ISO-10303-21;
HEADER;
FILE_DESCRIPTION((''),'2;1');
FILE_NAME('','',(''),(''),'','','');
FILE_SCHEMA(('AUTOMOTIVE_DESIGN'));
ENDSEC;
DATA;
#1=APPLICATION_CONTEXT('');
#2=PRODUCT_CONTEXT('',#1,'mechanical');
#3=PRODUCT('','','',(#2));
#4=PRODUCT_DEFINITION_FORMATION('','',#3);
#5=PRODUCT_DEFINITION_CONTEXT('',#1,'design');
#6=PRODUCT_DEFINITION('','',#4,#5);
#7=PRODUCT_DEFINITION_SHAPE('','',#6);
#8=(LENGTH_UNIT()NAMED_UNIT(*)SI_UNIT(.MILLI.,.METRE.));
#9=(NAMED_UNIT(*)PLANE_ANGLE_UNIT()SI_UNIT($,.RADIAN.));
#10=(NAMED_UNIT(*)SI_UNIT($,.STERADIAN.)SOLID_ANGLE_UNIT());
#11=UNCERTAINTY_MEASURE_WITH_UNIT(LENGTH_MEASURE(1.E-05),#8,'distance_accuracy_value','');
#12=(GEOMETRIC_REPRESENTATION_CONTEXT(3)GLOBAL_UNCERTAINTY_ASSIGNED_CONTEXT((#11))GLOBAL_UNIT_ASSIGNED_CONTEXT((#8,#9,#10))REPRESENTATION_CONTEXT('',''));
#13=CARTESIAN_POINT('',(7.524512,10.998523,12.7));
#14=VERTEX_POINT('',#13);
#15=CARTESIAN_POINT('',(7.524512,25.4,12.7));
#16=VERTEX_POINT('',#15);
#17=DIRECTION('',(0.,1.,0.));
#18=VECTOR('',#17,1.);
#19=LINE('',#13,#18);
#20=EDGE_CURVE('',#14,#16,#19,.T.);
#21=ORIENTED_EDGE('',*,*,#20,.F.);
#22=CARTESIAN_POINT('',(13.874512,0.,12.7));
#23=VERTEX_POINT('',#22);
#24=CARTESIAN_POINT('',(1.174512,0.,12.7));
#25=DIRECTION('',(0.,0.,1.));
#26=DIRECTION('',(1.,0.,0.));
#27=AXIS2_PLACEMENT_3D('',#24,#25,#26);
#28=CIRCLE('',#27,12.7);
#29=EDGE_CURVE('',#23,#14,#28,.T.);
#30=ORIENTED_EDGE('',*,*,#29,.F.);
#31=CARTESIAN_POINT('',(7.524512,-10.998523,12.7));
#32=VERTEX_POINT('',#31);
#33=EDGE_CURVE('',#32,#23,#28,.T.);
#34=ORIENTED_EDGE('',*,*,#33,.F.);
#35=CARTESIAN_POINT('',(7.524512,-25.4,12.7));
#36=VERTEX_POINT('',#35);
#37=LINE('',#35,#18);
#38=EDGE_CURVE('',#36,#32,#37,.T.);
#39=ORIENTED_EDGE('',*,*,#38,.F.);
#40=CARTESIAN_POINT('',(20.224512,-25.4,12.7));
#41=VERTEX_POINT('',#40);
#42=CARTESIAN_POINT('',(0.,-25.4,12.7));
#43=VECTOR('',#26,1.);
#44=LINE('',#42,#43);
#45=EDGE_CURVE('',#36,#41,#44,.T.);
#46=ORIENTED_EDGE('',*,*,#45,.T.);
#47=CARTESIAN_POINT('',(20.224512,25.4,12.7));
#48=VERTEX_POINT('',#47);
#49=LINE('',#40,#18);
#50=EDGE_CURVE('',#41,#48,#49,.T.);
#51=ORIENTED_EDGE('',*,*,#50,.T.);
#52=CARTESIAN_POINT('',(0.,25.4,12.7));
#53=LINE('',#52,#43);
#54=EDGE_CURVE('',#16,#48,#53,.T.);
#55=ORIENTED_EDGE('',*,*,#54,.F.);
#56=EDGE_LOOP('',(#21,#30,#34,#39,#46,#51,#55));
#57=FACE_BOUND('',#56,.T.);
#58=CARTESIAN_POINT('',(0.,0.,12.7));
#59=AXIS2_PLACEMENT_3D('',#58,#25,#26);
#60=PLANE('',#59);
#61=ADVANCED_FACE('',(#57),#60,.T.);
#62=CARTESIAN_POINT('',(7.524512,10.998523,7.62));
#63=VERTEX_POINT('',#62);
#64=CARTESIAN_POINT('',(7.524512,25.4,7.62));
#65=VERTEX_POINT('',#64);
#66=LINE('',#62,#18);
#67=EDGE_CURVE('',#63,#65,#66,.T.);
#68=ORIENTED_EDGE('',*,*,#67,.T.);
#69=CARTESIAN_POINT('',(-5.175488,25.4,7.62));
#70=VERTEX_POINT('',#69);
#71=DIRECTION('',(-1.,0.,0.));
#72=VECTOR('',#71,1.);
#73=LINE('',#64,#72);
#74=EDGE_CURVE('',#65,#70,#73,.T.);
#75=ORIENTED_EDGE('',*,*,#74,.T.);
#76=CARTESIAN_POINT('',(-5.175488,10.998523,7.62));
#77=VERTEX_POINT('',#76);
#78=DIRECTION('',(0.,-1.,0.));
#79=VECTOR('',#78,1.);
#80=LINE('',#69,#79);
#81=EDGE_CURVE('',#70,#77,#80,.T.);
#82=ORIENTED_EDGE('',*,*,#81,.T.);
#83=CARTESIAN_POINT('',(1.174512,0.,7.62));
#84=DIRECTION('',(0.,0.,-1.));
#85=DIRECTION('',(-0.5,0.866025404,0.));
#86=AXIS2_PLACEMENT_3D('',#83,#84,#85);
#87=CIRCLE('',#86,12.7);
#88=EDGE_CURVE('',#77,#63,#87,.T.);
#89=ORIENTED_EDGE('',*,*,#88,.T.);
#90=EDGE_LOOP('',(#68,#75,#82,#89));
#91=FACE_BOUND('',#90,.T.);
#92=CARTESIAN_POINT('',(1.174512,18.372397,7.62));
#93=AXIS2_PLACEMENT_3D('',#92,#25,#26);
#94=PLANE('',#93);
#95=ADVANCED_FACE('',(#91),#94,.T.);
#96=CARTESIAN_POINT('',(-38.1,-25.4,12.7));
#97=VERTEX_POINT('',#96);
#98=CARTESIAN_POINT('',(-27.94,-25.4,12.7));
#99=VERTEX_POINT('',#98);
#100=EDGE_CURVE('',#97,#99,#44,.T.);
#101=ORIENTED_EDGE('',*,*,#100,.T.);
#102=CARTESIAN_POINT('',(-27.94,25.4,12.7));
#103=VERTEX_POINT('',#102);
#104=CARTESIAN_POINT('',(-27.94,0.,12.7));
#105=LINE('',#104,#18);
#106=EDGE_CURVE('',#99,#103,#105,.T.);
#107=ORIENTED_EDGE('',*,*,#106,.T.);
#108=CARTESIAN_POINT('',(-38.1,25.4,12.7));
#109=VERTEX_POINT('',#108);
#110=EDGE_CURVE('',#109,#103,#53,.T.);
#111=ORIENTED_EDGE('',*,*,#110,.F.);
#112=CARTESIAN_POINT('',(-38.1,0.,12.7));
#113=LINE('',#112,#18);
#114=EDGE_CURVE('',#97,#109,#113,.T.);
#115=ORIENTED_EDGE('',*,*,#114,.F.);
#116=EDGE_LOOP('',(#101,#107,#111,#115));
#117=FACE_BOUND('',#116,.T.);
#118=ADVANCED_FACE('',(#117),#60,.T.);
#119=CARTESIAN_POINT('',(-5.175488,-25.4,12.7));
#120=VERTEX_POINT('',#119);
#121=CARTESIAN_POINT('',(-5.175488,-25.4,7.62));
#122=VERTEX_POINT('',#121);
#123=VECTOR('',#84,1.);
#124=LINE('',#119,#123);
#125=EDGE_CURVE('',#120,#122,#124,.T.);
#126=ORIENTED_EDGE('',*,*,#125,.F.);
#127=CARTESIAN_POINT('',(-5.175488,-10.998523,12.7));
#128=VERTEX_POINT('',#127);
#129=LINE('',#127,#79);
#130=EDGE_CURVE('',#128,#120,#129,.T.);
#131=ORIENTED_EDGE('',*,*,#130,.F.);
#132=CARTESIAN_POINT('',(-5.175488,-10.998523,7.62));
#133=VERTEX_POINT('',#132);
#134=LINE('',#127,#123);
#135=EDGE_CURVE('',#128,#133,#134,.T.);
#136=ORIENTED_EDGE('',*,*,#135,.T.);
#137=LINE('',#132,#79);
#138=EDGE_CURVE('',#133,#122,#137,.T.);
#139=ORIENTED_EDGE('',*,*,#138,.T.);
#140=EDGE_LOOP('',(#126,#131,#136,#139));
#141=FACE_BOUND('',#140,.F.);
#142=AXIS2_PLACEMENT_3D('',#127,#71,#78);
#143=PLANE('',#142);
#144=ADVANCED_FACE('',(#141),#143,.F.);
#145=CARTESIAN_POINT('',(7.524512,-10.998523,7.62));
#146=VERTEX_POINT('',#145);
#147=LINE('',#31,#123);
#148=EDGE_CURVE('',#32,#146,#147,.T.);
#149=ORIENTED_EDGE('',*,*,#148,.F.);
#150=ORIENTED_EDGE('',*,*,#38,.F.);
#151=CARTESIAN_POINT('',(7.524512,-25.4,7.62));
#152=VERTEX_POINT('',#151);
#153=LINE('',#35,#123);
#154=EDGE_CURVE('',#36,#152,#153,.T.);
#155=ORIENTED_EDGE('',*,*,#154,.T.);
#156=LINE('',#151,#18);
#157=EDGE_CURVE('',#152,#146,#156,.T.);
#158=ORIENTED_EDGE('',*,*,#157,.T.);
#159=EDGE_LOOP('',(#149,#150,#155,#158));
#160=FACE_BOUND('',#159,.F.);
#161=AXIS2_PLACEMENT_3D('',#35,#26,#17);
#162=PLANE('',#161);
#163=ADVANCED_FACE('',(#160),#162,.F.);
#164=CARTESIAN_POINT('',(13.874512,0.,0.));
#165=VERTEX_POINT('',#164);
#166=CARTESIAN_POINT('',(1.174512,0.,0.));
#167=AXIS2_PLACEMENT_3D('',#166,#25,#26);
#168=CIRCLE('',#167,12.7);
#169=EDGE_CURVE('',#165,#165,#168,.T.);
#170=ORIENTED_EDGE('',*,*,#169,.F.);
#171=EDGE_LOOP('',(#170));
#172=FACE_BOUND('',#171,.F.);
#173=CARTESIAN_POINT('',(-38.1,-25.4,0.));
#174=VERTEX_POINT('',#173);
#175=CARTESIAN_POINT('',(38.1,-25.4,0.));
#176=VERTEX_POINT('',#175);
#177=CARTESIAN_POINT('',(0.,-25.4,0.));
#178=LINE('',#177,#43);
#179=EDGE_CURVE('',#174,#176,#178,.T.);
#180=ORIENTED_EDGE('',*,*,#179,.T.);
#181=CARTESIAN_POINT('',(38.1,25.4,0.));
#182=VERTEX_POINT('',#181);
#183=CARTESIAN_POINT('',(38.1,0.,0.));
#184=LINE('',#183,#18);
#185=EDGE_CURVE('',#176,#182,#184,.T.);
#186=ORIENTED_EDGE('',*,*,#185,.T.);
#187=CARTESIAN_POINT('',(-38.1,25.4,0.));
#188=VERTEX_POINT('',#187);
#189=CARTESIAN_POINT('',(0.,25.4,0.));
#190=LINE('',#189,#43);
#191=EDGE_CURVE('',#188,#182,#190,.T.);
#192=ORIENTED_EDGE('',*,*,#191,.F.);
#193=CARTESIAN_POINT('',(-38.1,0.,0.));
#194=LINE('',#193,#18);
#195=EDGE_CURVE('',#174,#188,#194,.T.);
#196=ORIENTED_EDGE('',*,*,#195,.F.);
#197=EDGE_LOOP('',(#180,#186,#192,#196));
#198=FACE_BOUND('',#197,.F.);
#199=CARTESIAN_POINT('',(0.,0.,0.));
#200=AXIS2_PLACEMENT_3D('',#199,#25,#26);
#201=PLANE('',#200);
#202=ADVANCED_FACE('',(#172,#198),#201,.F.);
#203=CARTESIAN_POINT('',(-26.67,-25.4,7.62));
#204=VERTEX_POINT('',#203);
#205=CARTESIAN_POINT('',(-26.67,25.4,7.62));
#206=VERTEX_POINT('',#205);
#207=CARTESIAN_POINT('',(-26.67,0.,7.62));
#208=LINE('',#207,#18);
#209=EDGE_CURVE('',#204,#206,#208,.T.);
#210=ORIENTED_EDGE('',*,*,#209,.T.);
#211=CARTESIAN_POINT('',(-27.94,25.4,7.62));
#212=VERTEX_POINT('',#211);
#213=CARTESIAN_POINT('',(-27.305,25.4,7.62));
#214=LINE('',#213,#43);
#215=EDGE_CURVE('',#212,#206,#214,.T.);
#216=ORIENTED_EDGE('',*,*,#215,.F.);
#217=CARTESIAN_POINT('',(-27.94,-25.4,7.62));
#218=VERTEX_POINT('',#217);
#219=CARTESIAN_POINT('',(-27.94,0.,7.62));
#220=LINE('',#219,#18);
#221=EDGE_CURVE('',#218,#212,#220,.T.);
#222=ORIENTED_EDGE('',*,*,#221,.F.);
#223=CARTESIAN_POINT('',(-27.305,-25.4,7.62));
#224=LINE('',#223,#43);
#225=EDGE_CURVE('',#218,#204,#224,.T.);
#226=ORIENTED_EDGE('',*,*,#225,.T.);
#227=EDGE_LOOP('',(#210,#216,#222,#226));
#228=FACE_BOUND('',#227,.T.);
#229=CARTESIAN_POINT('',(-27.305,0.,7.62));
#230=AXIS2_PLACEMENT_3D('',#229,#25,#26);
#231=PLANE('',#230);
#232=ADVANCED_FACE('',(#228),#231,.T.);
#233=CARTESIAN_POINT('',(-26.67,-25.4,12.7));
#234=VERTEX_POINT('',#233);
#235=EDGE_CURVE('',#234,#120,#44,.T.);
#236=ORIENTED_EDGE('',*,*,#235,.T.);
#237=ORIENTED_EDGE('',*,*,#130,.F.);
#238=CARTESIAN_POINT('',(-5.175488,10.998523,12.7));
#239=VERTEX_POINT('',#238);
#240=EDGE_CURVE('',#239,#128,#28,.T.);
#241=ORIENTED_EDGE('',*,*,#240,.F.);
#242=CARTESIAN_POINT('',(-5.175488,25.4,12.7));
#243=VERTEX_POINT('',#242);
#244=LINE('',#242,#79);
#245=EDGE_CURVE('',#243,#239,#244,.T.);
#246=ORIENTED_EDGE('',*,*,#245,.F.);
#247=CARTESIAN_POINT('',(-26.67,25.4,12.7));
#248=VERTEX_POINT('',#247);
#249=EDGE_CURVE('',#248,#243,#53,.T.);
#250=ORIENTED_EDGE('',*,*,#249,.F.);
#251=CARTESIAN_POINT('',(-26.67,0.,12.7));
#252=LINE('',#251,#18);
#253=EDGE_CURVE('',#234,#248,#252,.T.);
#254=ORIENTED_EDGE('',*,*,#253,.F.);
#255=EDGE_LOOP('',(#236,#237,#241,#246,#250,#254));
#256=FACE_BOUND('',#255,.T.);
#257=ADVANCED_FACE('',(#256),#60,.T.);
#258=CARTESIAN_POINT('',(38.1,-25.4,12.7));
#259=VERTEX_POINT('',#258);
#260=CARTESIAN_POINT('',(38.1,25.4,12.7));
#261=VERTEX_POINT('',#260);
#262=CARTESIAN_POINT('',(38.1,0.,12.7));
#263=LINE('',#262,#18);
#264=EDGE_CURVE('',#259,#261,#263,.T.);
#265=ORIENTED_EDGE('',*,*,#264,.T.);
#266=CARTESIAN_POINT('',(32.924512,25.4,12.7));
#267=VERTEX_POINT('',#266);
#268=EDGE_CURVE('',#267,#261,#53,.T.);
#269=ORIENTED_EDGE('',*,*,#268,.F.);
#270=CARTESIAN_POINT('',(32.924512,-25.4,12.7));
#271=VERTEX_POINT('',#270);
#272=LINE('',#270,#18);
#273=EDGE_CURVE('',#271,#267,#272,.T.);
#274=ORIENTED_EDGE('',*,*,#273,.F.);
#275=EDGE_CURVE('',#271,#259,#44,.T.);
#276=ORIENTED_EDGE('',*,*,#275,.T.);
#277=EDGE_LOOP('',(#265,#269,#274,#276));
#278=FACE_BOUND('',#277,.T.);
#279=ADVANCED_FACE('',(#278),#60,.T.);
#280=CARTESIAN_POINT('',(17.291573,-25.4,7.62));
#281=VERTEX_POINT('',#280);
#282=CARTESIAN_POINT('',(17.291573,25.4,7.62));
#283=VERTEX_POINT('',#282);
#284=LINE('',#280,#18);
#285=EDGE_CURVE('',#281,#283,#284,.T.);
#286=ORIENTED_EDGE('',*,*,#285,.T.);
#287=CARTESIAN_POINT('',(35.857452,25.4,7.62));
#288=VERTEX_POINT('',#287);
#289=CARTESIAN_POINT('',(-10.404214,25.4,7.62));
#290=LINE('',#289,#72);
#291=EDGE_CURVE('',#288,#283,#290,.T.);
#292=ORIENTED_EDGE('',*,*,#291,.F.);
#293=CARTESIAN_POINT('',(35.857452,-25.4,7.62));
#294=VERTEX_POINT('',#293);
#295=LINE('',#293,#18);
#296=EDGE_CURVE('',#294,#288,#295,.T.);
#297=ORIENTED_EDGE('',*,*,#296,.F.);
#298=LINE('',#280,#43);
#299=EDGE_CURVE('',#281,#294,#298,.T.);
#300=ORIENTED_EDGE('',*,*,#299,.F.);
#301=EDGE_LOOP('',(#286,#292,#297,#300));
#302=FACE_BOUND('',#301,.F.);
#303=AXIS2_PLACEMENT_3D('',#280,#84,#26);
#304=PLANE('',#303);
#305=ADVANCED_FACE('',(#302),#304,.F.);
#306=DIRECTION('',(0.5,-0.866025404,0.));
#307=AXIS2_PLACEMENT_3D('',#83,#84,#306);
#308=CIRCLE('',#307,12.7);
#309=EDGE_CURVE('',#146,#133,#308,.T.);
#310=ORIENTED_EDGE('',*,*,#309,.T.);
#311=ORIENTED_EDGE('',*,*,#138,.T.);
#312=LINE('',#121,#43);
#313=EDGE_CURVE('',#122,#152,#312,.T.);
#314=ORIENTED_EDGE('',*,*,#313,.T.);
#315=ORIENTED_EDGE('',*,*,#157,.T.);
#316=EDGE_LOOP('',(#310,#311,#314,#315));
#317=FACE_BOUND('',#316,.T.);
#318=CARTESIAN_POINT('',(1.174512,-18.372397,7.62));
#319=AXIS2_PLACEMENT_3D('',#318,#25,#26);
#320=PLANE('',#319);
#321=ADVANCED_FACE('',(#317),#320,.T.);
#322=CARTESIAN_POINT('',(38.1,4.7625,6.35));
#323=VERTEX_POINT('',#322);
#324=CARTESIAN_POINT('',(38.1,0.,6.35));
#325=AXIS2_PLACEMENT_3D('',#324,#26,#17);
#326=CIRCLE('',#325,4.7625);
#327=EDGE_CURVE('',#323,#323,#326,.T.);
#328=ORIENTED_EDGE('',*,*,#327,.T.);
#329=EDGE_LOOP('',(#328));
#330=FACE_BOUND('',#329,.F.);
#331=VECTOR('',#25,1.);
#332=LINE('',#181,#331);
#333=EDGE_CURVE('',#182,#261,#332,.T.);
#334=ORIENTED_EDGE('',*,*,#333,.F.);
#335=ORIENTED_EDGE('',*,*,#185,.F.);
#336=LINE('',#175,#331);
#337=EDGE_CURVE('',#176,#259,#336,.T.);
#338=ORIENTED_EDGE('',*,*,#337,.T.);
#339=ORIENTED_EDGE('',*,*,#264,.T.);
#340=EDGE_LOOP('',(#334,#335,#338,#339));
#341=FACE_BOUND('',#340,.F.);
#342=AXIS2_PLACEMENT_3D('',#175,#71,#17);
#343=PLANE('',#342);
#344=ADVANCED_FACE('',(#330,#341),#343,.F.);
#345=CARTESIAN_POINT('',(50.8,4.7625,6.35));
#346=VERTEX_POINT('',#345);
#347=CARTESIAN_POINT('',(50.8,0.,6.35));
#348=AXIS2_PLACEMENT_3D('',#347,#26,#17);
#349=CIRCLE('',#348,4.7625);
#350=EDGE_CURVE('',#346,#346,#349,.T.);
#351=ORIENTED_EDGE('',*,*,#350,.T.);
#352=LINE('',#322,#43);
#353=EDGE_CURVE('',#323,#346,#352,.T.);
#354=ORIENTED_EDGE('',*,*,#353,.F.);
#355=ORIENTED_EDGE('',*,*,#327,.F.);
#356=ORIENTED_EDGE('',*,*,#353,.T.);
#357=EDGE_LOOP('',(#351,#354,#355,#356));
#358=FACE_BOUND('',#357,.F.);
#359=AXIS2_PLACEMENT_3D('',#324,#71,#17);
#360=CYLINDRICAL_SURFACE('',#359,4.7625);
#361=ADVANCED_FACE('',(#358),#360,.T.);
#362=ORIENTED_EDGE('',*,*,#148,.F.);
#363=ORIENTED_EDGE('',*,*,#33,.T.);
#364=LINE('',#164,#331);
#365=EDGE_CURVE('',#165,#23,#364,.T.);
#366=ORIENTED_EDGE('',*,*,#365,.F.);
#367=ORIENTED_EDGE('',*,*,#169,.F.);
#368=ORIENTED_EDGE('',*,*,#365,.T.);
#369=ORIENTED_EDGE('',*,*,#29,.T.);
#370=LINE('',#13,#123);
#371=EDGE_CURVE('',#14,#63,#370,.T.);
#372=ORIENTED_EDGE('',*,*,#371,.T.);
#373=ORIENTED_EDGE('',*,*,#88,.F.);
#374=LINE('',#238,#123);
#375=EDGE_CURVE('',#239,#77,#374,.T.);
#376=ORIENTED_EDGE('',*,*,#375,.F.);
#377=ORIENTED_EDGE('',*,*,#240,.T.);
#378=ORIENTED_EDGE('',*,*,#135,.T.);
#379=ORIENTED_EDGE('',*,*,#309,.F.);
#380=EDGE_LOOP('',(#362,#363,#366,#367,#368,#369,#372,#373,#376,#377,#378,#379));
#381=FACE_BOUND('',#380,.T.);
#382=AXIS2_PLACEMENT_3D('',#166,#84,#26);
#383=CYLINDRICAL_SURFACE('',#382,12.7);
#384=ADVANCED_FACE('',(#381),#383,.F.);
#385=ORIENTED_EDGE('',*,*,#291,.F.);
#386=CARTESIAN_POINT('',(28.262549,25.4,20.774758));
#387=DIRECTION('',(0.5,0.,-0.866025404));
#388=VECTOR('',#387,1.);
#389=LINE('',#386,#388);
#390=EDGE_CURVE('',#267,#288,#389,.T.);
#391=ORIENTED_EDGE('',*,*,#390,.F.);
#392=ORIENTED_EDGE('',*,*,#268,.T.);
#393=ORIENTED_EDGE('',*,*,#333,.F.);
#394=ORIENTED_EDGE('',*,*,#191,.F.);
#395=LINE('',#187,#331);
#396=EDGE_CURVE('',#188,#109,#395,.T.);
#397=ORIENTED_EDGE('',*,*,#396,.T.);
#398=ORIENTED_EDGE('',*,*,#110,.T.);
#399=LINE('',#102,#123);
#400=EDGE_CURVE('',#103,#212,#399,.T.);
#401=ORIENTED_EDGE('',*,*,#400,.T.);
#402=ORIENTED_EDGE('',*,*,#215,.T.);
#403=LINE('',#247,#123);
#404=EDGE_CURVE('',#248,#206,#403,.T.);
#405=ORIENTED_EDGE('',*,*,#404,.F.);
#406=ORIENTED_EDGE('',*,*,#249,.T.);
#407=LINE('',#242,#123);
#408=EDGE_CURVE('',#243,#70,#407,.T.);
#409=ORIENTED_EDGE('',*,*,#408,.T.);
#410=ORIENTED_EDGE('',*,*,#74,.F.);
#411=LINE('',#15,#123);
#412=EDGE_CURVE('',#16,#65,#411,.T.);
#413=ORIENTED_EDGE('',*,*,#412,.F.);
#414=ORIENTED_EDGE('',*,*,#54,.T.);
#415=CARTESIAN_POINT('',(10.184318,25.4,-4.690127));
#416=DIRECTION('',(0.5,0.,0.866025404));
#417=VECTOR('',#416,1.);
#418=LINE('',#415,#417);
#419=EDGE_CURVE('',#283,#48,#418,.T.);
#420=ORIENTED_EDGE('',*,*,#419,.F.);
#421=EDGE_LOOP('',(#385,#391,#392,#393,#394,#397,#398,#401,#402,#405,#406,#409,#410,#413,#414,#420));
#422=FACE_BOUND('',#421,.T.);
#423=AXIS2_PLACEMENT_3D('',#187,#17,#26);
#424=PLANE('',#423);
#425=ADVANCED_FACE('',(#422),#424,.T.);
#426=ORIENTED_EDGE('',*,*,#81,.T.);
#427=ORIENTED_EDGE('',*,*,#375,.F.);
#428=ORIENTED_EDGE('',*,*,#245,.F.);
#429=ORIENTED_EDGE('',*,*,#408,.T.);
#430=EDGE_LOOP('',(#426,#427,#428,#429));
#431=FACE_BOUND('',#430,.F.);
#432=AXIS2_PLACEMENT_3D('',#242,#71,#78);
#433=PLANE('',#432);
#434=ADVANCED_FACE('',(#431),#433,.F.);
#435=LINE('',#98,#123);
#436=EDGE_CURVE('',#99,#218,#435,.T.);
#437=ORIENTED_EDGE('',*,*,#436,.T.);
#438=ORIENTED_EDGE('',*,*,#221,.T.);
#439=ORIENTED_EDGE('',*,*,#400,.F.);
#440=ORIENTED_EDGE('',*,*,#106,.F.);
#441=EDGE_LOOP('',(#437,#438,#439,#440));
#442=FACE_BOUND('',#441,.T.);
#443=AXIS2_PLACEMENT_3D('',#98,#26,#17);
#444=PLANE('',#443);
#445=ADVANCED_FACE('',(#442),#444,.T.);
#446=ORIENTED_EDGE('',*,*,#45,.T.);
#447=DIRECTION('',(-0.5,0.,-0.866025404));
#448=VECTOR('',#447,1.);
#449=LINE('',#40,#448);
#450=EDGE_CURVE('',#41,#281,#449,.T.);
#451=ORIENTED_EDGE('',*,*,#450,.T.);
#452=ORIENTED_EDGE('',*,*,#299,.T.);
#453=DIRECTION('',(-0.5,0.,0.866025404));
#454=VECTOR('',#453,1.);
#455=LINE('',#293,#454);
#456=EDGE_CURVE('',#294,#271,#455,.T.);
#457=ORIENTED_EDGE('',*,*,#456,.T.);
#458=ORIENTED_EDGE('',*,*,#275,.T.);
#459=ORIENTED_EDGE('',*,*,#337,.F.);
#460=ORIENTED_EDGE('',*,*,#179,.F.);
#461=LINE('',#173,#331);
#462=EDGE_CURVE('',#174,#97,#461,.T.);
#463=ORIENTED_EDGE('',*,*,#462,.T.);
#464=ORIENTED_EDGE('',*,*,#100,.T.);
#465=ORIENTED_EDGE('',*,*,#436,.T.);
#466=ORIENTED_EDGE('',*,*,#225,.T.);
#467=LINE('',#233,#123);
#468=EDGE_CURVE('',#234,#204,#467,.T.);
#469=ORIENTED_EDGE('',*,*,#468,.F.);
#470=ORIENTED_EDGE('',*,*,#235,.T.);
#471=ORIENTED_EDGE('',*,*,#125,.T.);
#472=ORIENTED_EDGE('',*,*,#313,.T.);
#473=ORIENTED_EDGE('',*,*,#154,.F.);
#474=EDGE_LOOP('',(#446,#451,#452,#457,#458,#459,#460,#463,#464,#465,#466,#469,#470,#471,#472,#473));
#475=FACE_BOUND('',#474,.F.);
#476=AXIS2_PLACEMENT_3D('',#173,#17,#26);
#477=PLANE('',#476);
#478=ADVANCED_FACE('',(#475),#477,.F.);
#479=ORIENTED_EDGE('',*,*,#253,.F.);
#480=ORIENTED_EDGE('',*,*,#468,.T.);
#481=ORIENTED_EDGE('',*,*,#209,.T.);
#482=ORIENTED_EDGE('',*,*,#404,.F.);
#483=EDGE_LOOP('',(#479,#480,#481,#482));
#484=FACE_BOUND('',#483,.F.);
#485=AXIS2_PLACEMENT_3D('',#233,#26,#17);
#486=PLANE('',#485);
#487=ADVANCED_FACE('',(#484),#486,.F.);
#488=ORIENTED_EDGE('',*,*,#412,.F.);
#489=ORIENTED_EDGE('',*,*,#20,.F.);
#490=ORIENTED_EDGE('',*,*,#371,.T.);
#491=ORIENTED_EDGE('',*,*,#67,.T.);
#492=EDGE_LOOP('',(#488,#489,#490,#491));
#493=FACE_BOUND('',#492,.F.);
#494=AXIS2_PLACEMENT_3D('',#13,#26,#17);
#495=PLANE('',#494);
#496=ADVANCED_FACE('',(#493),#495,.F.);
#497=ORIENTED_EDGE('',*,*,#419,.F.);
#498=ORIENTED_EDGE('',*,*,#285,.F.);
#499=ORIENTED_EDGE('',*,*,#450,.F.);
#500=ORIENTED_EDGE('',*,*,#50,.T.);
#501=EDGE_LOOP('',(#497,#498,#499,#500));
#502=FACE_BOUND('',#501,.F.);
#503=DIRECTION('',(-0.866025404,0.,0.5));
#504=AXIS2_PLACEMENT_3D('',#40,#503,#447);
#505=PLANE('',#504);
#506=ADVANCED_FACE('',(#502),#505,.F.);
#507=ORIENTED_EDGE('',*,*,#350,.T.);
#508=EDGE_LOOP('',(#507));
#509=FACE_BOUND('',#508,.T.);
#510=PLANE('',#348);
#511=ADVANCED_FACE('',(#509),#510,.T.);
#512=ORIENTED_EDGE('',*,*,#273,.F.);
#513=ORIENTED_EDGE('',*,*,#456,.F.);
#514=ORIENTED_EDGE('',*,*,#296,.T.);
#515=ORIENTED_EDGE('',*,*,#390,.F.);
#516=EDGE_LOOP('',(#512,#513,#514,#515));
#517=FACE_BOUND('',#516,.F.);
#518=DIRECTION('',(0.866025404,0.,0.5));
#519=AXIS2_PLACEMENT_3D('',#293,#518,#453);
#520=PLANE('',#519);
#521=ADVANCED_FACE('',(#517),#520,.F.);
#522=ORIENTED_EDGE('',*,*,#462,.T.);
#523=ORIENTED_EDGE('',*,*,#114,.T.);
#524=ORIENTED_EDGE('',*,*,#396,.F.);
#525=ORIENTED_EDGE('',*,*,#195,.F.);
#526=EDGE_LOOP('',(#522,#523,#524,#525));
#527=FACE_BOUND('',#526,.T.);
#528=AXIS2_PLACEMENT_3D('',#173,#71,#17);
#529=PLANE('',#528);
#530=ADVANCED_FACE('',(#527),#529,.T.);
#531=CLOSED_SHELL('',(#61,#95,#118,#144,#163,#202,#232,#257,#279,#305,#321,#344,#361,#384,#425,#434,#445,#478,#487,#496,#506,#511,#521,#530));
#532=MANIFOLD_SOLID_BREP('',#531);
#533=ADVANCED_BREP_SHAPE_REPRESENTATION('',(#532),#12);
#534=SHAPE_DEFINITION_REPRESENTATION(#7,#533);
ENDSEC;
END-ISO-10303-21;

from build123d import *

# Parameters (mm, degrees)
F0_W     = 76.2
F0_H     = 50.8
F0_R     = 12.7
F1_DEPTH = 12.7
F2_W     = 1.27
F2_H     = 50.8
F3_DEPTH = 5.08
F5_DEPTH = 50.801
F6_R     = 4.7625
F7_DEPTH = 12.7


with BuildPart() as f1:
    # F0 (on Top) → F1 (new body)
    with BuildSketch(Plane.XY):
        Rectangle(F0_W, F0_H)
        with Locations((1.1745122029, 0)):
            Circle(F0_R, mode=Mode.SUBTRACT)
    extrude(amount=F1_DEPTH)

    # F2 (on face) → F3 (cut)
    with BuildSketch(Plane.XY.offset(12.7)):
        with Locations((-27.305, 0)):
            Rectangle(F2_W, F2_H)
        with BuildLine():
            Line((-5.1754877971, -10.9985226281), (-5.1754877971, -25.4))
            Line((-5.1754877971, -25.4), (7.5245122029, -25.4))
            Line((7.5245122029, -25.4), (7.5245122029, -10.9985226281))
            ThreePointArc((7.5245122029, -10.9985226281), (1.1745122029, -12.7), (-5.1754877971, -10.9985226281))
        make_face()
        with BuildLine():
            Line((7.5245122029, 25.4), (-5.1754877971, 25.4))
            Line((-5.1754877971, 25.4), (-5.1754877971, 10.9985226281))
            ThreePointArc((-5.1754877971, 10.9985226281), (1.1745122029, 12.7), (7.5245122029, 10.9985226281))
            Line((7.5245122029, 10.9985226281), (7.5245122029, 25.4))
        make_face()
    extrude(amount=-F3_DEPTH, mode=Mode.SUBTRACT)

    # F4 (on face) → F5 (cut, through all)
    with BuildSketch(Plane.XZ.offset(25.4)):
        Polygon((32.9245122029, 12.7), (20.2245122029, 12.7), (17.2915728354, 7.62), (35.8574515703, 7.62), align=None)
    extrude(amount=-F5_DEPTH, mode=Mode.SUBTRACT)

    # F6 (on face) → F7 (join)
    with BuildSketch(Plane.YZ.offset(38.1)):
        with Locations((0, 6.35)):
            Circle(F6_R)
    extrude(amount=F7_DEPTH)


solid = f1.part
